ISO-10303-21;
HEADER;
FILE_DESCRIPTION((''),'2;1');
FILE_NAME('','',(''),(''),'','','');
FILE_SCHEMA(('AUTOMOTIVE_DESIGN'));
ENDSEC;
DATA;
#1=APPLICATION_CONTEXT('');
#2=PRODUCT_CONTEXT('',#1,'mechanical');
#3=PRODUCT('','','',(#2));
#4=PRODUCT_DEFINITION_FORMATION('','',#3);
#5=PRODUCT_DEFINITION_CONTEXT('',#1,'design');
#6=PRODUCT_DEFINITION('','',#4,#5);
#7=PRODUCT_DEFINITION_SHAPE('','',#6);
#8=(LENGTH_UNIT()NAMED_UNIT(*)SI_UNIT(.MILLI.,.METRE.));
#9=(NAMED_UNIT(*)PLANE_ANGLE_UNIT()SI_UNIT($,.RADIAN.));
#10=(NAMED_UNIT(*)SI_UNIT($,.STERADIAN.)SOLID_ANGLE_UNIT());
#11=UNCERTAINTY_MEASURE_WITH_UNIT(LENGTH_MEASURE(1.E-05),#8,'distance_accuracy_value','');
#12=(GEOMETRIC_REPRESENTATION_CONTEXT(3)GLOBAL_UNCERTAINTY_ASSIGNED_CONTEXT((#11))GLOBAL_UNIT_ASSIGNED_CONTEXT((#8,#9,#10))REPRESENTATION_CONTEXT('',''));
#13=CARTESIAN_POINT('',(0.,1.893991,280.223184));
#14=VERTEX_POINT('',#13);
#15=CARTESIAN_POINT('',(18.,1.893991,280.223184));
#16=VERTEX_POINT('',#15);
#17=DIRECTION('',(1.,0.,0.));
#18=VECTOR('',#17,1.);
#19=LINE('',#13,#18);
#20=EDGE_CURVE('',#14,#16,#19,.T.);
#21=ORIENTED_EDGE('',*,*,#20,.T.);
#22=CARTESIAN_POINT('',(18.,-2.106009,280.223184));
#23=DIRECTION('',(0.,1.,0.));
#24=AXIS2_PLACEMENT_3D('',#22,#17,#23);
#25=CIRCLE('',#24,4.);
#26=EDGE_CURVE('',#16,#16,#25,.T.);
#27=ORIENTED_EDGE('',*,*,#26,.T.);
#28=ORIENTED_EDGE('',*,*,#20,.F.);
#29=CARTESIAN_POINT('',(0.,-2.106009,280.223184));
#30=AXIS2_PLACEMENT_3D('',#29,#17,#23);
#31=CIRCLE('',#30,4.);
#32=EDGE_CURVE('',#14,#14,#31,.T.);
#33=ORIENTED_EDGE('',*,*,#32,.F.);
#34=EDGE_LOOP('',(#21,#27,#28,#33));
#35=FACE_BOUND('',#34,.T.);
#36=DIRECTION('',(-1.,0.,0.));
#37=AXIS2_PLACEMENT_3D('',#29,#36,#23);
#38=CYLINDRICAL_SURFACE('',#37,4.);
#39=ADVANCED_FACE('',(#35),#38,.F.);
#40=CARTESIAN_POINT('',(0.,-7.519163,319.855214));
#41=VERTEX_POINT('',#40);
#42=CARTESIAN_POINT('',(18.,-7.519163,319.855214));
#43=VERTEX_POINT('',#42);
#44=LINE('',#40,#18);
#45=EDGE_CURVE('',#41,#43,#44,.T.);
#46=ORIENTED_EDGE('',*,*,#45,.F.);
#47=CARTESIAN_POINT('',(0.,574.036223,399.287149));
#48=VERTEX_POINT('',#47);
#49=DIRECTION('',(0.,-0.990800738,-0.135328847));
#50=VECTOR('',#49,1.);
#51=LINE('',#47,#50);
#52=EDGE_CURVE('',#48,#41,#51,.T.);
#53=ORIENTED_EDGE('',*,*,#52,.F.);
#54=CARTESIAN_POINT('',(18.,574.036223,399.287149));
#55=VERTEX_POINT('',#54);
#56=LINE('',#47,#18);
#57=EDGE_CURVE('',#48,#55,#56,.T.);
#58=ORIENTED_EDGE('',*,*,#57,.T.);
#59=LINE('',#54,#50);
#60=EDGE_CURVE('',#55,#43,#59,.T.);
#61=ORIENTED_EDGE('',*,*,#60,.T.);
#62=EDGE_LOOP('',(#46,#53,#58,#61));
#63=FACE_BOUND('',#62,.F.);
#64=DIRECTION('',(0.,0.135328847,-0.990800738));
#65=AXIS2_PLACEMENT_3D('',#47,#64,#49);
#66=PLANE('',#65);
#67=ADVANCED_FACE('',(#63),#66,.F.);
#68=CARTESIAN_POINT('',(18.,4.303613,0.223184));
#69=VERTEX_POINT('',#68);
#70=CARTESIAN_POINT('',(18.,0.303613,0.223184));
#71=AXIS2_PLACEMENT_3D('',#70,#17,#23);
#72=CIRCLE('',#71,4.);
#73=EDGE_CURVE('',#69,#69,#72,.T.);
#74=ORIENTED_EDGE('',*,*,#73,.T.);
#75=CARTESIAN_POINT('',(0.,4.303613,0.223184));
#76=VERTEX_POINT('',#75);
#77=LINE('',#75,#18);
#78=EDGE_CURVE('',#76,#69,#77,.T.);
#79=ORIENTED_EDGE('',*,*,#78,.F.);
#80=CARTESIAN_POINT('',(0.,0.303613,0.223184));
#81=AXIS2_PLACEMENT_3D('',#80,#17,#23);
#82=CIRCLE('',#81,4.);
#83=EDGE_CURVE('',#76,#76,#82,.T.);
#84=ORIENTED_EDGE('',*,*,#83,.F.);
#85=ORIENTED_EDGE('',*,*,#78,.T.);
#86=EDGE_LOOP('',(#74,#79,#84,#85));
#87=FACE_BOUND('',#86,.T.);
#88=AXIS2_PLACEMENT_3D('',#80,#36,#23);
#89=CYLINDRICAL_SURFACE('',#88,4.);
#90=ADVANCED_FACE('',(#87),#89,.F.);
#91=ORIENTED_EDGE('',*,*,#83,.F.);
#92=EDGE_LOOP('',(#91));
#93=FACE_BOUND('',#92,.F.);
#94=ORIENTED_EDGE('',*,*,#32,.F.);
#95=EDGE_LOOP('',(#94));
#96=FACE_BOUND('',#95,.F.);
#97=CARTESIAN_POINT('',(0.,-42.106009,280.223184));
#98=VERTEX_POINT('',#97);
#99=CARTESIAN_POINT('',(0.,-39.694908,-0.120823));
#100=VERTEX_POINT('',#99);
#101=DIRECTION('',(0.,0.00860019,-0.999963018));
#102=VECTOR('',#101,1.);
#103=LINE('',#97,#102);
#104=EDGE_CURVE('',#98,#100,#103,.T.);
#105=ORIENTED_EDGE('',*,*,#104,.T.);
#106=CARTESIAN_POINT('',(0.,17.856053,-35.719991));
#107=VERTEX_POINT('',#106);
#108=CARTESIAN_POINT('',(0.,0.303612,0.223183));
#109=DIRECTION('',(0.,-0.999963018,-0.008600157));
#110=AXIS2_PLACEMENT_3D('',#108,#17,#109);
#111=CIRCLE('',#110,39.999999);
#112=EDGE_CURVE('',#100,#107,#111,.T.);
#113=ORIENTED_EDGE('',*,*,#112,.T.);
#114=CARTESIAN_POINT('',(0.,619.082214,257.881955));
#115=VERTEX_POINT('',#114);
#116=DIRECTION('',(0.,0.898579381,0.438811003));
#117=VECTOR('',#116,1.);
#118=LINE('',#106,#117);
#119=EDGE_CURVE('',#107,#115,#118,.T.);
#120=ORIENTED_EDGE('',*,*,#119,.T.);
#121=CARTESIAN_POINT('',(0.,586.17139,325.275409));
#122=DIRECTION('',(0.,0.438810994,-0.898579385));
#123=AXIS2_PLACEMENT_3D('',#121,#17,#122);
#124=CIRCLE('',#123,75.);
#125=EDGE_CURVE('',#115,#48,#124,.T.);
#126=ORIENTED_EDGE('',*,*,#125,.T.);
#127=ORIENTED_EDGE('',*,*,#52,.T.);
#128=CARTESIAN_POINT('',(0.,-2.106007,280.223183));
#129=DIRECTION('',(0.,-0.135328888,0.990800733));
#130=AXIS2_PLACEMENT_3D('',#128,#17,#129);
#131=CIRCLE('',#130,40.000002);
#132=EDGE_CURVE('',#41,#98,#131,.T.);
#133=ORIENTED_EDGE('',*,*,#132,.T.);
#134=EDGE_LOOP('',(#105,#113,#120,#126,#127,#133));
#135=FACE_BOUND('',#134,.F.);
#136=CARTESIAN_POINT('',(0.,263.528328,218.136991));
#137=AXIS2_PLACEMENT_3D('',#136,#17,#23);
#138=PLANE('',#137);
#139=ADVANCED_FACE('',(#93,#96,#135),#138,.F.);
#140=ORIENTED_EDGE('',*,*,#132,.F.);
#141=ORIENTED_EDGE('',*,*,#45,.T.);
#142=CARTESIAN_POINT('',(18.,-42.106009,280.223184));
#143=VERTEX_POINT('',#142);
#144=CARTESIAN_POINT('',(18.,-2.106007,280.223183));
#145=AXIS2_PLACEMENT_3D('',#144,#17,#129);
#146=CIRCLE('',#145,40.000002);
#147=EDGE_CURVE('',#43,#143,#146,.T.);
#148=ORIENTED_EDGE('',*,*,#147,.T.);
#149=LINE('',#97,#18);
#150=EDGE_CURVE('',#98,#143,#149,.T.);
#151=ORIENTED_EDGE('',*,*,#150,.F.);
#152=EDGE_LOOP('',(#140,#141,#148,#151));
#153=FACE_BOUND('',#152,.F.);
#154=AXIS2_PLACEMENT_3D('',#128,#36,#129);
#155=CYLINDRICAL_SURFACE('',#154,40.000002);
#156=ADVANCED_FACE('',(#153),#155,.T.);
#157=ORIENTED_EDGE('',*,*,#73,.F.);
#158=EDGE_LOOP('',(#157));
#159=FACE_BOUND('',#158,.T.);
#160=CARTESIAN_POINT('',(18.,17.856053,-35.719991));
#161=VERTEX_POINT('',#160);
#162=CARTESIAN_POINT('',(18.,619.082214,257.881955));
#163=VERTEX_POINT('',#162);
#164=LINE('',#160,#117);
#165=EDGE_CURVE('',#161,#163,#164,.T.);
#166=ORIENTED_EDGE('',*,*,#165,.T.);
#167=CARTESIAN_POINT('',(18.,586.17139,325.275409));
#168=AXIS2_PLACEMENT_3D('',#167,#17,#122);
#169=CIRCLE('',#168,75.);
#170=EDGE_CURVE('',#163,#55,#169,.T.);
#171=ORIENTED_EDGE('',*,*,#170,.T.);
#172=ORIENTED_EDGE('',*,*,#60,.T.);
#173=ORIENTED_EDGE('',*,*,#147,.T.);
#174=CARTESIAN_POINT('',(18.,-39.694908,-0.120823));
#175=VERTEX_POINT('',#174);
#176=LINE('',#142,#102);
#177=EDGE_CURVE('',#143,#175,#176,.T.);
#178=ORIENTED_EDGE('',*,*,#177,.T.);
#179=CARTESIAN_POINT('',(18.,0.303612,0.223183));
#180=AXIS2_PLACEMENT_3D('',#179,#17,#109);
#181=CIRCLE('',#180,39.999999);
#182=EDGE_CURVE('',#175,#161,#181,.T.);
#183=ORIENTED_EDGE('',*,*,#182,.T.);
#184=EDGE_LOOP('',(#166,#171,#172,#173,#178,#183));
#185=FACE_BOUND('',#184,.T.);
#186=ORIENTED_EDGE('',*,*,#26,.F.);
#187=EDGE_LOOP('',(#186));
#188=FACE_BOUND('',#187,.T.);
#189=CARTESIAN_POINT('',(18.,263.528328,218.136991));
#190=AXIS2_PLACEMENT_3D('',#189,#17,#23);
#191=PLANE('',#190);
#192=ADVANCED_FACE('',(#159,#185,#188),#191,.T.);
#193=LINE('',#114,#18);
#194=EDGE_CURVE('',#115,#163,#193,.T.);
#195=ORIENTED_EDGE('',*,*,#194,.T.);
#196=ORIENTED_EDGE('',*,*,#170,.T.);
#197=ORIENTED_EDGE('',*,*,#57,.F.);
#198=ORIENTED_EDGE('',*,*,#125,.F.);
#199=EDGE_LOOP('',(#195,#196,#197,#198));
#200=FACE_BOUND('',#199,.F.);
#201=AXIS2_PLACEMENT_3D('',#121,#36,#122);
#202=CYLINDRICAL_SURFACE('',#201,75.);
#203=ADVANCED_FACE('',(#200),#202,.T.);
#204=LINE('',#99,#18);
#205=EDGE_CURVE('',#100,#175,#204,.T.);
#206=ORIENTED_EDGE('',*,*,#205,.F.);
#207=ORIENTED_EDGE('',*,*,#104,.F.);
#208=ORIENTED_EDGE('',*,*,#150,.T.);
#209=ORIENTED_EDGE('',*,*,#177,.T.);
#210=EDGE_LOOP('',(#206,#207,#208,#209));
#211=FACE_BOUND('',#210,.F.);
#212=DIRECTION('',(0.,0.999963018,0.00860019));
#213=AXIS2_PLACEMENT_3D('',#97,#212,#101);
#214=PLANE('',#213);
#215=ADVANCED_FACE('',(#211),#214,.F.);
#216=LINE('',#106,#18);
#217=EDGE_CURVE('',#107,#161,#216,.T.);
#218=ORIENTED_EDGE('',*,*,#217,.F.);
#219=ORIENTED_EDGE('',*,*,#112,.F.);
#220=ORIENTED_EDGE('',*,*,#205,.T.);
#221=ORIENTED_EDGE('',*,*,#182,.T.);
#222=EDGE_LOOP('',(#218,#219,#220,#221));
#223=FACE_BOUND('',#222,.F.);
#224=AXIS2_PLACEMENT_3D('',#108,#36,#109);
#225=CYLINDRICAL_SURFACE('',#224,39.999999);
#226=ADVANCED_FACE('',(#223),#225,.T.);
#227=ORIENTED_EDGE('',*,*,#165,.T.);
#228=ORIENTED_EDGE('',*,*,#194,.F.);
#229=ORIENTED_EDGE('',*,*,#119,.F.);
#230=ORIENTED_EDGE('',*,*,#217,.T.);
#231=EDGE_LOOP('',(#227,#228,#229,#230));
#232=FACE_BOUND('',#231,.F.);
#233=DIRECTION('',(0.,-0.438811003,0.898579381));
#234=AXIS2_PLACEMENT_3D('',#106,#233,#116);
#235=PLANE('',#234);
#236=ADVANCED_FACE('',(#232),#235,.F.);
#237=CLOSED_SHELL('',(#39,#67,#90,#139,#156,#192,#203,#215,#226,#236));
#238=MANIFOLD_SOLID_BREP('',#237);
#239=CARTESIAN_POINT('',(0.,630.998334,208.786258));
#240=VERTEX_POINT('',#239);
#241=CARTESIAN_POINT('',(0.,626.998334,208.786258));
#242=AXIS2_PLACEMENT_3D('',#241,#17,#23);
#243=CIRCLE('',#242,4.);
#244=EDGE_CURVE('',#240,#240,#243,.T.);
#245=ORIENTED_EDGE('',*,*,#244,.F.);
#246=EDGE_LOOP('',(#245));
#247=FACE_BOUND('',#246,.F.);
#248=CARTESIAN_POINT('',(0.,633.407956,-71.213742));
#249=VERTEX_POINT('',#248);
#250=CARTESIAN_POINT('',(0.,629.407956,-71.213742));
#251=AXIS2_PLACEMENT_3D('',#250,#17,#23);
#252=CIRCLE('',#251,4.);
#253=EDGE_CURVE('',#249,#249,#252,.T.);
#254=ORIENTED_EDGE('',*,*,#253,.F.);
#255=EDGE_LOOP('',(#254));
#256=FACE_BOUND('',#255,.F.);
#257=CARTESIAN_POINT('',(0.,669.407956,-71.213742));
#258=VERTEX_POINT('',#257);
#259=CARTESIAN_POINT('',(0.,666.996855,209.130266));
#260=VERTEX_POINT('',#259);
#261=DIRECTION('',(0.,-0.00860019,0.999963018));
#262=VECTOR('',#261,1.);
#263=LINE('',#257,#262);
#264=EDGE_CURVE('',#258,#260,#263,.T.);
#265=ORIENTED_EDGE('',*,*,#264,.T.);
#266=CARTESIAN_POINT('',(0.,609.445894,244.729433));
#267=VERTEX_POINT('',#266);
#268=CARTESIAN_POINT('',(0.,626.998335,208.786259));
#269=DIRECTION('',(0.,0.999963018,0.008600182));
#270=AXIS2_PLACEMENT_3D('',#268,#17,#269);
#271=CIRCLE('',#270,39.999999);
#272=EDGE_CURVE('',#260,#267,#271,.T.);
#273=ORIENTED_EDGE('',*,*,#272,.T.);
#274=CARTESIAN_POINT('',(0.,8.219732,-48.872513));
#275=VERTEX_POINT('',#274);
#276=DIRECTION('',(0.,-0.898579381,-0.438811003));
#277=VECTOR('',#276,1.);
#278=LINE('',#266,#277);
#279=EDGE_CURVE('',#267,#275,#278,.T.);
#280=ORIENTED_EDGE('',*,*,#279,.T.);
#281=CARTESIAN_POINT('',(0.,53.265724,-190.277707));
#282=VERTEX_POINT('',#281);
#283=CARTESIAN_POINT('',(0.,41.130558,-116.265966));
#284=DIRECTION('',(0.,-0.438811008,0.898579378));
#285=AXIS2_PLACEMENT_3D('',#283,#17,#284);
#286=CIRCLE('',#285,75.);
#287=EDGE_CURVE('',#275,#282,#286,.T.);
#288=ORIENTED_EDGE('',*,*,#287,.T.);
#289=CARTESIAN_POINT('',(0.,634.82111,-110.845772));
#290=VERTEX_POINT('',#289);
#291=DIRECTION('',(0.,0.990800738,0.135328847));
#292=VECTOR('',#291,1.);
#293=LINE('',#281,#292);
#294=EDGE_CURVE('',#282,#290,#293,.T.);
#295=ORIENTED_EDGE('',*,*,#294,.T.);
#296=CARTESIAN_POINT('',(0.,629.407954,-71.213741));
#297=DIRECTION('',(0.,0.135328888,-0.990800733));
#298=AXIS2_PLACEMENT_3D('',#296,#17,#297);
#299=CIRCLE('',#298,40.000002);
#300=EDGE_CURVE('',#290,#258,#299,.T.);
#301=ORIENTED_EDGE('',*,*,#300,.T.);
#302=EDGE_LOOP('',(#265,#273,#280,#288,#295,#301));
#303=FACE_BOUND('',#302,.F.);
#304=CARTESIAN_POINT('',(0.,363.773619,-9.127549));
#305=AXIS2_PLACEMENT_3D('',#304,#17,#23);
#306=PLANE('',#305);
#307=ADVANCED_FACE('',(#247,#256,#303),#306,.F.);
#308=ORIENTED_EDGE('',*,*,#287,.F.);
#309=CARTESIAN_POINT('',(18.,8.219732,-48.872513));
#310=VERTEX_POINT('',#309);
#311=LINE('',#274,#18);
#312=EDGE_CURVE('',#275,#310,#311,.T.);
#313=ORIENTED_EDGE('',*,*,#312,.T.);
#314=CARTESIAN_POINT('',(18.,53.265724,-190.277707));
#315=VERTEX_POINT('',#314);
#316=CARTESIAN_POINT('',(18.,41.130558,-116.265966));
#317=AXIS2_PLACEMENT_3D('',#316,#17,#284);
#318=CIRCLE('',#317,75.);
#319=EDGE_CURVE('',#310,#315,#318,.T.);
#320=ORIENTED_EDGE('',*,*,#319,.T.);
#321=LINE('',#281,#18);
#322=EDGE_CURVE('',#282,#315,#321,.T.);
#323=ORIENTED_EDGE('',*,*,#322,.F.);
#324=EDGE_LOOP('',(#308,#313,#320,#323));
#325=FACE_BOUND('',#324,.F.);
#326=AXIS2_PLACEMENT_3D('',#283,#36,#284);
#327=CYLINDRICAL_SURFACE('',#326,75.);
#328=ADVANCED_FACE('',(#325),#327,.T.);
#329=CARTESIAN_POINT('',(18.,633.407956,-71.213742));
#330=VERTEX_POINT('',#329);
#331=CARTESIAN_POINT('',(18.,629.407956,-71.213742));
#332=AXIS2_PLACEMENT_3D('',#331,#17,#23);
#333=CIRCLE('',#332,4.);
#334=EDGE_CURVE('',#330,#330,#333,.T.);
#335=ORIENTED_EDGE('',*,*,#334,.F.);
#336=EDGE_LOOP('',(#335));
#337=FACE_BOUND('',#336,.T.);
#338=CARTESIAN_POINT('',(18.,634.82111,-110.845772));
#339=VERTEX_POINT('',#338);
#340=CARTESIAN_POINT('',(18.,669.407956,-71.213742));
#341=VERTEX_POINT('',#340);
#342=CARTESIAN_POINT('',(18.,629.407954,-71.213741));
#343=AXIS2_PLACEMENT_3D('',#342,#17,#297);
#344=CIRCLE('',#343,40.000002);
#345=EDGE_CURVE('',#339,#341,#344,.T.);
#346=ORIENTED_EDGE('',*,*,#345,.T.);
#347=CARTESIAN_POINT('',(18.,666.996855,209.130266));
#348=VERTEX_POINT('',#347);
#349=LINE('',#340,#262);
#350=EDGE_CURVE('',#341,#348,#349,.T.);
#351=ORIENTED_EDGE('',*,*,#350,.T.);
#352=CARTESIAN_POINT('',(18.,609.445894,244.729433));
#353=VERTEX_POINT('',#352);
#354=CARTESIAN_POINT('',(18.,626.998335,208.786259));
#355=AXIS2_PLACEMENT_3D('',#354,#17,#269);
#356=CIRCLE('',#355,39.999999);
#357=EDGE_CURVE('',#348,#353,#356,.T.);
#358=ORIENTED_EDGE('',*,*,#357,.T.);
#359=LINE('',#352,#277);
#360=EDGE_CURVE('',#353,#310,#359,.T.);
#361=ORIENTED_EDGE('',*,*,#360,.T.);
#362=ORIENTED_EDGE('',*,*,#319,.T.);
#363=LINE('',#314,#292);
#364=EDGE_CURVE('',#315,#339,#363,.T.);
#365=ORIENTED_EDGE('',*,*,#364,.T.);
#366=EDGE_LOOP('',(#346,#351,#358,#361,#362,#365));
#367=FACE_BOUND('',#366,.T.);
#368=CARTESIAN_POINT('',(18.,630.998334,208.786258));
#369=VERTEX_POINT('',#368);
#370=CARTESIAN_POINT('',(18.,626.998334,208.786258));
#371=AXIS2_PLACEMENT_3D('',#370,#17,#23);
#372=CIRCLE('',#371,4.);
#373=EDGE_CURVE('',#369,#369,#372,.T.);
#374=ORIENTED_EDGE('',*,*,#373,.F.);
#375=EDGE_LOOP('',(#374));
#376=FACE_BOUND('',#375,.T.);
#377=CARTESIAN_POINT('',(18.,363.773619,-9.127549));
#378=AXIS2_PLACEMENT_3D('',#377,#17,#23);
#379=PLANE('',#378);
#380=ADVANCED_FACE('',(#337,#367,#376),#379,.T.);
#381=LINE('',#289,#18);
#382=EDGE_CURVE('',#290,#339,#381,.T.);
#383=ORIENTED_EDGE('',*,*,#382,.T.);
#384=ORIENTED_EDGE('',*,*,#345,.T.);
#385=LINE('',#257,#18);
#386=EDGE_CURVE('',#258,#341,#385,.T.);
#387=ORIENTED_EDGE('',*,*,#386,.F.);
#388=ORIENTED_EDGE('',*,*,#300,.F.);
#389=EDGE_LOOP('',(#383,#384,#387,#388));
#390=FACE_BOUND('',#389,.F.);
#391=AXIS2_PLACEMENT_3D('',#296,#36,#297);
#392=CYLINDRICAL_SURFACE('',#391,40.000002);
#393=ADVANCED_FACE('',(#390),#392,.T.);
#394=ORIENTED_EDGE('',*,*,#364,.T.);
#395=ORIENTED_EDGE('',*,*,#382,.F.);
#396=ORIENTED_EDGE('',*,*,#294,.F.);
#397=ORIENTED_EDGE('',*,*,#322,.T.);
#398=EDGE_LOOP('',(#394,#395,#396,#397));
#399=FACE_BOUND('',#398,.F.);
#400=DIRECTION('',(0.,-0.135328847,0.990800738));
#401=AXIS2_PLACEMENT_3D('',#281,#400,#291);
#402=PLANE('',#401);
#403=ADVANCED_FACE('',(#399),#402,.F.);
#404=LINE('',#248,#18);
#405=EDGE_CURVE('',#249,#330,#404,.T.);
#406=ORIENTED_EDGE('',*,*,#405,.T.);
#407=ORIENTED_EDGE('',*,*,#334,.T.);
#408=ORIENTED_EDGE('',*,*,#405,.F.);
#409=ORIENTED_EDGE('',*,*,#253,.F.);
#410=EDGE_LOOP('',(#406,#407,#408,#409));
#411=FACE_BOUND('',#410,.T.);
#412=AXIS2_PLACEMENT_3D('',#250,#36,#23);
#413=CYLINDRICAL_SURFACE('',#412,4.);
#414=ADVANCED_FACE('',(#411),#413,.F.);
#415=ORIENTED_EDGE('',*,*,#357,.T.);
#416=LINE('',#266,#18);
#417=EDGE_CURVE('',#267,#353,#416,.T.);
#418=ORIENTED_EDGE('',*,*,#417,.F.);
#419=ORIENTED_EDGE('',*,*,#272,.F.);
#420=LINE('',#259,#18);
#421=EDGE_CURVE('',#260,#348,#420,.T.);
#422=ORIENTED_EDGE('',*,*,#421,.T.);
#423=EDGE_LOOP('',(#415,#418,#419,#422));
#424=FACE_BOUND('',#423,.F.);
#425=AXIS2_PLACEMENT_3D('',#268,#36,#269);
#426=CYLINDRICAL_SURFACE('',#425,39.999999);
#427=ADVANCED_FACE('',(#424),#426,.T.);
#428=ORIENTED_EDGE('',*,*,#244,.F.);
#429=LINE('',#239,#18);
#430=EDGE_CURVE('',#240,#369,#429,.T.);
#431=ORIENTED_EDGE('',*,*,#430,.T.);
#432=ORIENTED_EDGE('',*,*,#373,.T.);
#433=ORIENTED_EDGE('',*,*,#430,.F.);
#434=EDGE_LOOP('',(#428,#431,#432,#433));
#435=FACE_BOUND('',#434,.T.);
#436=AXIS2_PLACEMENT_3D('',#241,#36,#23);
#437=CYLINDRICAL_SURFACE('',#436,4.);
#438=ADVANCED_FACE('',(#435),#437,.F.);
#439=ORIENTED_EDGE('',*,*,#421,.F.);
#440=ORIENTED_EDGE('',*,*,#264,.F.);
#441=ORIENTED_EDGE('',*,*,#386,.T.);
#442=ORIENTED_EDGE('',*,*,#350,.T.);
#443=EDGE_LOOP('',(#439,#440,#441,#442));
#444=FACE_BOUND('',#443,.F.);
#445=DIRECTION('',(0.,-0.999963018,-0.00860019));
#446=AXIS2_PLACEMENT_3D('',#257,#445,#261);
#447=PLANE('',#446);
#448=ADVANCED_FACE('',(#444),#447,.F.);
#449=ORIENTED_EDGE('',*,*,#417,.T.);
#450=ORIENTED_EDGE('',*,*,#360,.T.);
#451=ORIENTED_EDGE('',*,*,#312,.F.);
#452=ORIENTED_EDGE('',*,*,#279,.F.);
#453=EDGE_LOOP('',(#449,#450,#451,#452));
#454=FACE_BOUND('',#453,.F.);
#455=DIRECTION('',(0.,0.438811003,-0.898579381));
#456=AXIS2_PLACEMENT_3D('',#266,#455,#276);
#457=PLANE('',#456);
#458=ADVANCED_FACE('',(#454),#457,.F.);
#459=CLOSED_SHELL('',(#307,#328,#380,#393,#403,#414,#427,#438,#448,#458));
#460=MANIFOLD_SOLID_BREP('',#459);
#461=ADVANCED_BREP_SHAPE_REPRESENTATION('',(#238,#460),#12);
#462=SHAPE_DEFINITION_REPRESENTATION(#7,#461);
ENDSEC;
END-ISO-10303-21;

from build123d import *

# Parameters (mm, degrees)
F0_R     = 4
F1_DEPTH = 18


with BuildPart() as f1:
    # F0 (on Right) → F1 (new body)
    with BuildSketch(Plane.YZ):
        with BuildLine():
            Line((-42.106009, 280.223184), (-39.694908, -0.120823))
            ThreePointArc((-39.694908, -0.120823), (-20.738769, -33.794726), (17.856053, -35.719991))
            Line((17.856053, -35.719991), (619.082214, 257.881955))
            ThreePointArc((619.082214, 257.881955), (657.633017, 348.040201), (574.036223, 399.287149))
            Line((574.036223, 399.287149), (-7.519163, 319.855214))
            ThreePointArc((-7.519163, 319.855214), (-32.243412, 306.524076), (-42.106009, 280.223184))
        make_face()
        with Locations((0.303613, 0.223184)):
            Circle(F0_R, mode=Mode.SUBTRACT)
        with Locations((-2.106009, 280.223184)):
            Circle(F0_R, mode=Mode.SUBTRACT)
        with BuildLine():
            Line((669.407956, -71.213742), (666.996855, 209.130266))
            ThreePointArc((666.996855, 209.130266), (648.040716, 242.804168), (609.445894, 244.729433))
            Line((609.445894, 244.729433), (8.219732, -48.872513))
            ThreePointArc((8.219732, -48.872513), (-30.33107, -139.030759), (53.265724, -190.277707))
            Line((53.265724, -190.277707), (634.82111, -110.845772))
            ThreePointArc((634.82111, -110.845772), (659.545359, -97.514634), (669.407956, -71.213742))
        make_face()
        with Locations((629.407956, -71.213742)):
            Circle(F0_R, mode=Mode.SUBTRACT)
        with Locations((626.998334, 208.786258)):
            Circle(F0_R, mode=Mode.SUBTRACT)
    extrude(amount=F1_DEPTH)


solid = f1.part
